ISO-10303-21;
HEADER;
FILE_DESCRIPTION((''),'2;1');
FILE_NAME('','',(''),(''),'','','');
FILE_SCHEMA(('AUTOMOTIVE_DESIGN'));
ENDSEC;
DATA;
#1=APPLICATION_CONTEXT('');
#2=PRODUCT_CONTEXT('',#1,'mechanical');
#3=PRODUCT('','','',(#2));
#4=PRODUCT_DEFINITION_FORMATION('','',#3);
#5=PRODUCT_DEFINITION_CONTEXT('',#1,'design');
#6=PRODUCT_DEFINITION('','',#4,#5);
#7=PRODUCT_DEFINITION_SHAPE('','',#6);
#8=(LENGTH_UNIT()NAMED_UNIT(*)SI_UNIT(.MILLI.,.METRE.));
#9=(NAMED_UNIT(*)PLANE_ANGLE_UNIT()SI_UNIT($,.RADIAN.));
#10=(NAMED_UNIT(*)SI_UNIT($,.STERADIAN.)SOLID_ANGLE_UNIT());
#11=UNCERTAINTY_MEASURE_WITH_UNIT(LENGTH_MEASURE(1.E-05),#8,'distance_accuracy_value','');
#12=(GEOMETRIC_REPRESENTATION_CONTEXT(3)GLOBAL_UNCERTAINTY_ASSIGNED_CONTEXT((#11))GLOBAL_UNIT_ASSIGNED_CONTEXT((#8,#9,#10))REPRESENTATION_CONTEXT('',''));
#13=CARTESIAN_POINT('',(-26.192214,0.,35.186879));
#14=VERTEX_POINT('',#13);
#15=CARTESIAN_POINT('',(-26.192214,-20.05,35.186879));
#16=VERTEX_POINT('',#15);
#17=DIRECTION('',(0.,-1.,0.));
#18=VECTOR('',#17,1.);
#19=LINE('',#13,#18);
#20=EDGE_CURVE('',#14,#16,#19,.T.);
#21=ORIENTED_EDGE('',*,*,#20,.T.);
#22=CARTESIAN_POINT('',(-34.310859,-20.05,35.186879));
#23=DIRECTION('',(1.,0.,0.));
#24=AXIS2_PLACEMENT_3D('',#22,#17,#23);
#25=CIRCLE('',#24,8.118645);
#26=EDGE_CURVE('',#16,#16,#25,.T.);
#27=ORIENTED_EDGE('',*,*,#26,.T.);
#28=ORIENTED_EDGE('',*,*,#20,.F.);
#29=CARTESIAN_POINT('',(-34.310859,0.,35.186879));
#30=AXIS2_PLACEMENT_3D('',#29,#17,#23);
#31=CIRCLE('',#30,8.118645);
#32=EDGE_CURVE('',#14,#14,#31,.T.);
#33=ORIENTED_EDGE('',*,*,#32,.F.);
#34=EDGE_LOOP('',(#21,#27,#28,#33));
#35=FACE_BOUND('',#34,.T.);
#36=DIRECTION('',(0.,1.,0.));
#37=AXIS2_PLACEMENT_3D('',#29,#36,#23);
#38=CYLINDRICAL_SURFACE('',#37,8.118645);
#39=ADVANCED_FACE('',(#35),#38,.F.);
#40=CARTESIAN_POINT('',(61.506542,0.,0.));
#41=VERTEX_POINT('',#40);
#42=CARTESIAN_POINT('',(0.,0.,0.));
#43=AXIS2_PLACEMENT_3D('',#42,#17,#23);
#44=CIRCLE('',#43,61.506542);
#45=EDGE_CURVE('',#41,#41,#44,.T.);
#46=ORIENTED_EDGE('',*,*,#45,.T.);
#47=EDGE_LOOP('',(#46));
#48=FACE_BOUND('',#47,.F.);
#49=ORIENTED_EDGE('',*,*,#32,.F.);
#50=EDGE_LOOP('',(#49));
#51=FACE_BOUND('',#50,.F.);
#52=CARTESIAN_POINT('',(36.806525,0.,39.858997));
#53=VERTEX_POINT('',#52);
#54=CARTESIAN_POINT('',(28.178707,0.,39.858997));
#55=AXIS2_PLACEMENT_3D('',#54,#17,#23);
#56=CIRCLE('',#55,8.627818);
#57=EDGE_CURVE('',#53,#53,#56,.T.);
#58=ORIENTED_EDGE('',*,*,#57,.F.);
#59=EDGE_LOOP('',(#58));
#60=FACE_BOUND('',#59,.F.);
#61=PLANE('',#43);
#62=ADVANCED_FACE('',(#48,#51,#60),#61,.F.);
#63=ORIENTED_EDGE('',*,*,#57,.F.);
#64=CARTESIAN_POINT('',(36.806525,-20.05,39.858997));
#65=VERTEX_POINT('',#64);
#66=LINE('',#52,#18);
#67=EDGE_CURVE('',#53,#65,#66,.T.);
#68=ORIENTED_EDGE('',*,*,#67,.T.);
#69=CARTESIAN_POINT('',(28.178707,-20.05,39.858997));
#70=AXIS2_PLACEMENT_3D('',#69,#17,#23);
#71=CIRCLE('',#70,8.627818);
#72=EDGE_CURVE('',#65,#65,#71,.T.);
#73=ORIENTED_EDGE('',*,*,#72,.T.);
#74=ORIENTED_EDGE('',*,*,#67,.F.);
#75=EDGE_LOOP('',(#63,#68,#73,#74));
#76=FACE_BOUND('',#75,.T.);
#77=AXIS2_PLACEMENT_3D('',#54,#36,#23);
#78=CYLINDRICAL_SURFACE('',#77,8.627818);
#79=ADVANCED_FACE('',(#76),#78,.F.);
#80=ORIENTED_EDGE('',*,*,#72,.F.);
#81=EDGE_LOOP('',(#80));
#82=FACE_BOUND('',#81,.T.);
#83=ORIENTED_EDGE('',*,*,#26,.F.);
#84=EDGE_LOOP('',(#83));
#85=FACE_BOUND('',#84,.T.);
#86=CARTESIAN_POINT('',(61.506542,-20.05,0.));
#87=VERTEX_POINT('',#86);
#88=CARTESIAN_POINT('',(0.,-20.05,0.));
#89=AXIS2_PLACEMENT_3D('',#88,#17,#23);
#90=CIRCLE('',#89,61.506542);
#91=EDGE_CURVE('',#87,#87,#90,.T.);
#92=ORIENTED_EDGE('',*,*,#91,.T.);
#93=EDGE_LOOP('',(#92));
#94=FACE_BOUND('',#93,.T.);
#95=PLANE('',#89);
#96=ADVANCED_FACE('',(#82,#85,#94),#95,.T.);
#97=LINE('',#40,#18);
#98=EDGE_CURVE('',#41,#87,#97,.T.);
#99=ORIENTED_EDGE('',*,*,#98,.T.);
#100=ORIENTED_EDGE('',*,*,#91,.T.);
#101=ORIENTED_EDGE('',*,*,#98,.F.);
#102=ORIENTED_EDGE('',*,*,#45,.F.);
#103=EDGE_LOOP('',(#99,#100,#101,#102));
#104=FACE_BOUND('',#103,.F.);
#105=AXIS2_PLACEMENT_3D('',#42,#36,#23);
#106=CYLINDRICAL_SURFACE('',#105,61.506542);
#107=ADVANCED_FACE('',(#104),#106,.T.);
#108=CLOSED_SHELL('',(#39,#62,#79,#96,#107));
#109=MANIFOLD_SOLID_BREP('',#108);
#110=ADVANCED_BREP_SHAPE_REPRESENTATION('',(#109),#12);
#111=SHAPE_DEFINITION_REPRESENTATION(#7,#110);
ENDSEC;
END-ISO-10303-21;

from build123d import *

# Parameters (mm, degrees)
F0_R     = 61.506542
F0_R_2   = 22.799489
F0_R_3   = 8.118645
F0_R_4   = 8.627818
F1_DEPTH = 20.05


with BuildPart() as f1:
    # F0 (on Front) → F1 (new body)
    with BuildSketch(Plane.XZ):
        Circle(F0_R)
        with Locations((0, -24.966624)):
            Circle(F0_R_2, mode=Mode.SUBTRACT)
        with Locations((-34.310859, 35.186879)):
            Circle(F0_R_3, mode=Mode.SUBTRACT)
        with Locations((28.178707, 39.858997)):
            Circle(F0_R_4, mode=Mode.SUBTRACT)
        with Locations((0, -24.966624)):
            Circle(F0_R_2)
    extrude(amount=F1_DEPTH)


solid = f1.part
